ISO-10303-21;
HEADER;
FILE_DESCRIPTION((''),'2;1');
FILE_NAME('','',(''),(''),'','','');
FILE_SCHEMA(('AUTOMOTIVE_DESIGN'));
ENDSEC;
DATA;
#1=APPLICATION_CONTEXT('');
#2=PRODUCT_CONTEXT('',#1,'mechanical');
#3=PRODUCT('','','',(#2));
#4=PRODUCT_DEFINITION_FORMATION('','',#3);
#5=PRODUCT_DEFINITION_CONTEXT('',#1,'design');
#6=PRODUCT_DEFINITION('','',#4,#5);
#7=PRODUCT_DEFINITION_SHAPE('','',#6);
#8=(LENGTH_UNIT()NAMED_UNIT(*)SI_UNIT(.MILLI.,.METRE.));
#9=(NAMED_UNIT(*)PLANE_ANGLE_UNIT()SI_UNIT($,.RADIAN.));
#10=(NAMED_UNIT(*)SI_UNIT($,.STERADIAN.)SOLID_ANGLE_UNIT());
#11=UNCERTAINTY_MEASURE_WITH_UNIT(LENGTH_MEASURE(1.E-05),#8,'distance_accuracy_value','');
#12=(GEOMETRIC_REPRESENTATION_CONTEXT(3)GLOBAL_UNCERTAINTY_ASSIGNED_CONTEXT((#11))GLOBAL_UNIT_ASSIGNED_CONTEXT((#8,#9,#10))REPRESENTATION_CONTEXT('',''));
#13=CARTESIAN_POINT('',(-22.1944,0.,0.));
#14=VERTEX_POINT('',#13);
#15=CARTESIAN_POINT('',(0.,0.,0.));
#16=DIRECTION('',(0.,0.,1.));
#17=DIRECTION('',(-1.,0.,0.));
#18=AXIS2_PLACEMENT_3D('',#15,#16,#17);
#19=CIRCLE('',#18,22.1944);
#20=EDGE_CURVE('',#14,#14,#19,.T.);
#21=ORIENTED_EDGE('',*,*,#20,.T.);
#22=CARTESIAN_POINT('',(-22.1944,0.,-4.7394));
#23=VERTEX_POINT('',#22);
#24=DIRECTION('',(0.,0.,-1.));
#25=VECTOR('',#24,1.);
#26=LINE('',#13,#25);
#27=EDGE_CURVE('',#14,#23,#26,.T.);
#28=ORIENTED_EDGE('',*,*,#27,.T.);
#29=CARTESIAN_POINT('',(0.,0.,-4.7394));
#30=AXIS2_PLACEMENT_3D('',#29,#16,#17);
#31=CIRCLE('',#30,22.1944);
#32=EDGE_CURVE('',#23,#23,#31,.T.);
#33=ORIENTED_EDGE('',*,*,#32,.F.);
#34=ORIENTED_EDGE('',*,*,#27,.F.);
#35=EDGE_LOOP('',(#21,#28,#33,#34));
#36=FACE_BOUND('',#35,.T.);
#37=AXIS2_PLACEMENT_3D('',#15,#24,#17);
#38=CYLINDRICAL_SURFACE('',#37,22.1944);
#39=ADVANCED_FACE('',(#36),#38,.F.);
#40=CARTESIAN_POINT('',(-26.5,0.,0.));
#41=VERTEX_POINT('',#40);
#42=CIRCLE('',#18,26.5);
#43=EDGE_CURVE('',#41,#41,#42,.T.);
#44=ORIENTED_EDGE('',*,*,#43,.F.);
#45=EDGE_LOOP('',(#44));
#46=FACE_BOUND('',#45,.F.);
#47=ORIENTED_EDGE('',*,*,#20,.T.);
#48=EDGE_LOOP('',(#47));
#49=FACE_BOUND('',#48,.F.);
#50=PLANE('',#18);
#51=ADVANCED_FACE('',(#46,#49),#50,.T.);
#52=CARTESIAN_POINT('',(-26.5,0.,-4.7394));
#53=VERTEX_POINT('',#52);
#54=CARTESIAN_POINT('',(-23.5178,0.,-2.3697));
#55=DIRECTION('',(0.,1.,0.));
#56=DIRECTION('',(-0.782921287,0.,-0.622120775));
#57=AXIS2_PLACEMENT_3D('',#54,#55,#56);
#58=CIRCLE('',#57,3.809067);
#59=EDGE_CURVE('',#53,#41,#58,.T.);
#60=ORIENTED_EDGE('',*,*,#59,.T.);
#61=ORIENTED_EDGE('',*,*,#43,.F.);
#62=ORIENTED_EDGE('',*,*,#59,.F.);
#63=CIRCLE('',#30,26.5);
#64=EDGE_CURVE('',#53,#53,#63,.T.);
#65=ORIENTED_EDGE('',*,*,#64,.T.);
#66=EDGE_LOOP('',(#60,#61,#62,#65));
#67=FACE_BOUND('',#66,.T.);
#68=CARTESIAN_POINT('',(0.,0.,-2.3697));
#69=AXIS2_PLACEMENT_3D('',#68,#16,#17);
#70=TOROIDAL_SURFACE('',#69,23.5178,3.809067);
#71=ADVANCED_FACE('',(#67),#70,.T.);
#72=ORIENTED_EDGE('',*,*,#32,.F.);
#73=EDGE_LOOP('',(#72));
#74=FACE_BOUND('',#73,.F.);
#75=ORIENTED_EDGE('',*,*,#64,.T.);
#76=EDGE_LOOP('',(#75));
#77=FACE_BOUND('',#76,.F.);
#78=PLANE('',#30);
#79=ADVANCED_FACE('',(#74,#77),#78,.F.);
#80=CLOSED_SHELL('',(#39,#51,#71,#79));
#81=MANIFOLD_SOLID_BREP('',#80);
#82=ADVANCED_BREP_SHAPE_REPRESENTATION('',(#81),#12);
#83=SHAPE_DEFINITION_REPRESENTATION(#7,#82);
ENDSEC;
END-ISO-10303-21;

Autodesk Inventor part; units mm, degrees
ref_plane "YZ Plane" through (0, 0, 0) normal (1, 0, 0) x (0, 1, 0)
ref_plane "XZ Plane" through (0, 0, 0) normal (0, 1, 0) x (-1, 0, 0)
ref_plane "XY Plane" through (0, 0, 0) normal (0, 0, 1) x (1, 0, 0)
sketch "Sketch1" plane through (0, 0, 0) normal (0, 1, 0) x (-1, 0, 0)
  line L0 (22.1944, 0) -> (26.5, 0)
  line L1 (26.5, 0) -> (26.5, -4.7394)
  line L2 (26.5, -4.7394) -> (22.1944, -4.7394)
  line L3 (0, -4.7394) -> (0, 0)
  line L4 (22.1944, 0) -> (22.1944, -4.7394)
  arc A0 (26.5, -4.7394) -> (26.5, 0) centre (23.5178, -2.3697) ccw
  dimension "d0" = 26.5
revolve "Revolution1" add sketch "Sketch1" angle 360 about axis through (0, 0, -4.7394) along (0, 0, 1)
properties part number "OIL RING"
